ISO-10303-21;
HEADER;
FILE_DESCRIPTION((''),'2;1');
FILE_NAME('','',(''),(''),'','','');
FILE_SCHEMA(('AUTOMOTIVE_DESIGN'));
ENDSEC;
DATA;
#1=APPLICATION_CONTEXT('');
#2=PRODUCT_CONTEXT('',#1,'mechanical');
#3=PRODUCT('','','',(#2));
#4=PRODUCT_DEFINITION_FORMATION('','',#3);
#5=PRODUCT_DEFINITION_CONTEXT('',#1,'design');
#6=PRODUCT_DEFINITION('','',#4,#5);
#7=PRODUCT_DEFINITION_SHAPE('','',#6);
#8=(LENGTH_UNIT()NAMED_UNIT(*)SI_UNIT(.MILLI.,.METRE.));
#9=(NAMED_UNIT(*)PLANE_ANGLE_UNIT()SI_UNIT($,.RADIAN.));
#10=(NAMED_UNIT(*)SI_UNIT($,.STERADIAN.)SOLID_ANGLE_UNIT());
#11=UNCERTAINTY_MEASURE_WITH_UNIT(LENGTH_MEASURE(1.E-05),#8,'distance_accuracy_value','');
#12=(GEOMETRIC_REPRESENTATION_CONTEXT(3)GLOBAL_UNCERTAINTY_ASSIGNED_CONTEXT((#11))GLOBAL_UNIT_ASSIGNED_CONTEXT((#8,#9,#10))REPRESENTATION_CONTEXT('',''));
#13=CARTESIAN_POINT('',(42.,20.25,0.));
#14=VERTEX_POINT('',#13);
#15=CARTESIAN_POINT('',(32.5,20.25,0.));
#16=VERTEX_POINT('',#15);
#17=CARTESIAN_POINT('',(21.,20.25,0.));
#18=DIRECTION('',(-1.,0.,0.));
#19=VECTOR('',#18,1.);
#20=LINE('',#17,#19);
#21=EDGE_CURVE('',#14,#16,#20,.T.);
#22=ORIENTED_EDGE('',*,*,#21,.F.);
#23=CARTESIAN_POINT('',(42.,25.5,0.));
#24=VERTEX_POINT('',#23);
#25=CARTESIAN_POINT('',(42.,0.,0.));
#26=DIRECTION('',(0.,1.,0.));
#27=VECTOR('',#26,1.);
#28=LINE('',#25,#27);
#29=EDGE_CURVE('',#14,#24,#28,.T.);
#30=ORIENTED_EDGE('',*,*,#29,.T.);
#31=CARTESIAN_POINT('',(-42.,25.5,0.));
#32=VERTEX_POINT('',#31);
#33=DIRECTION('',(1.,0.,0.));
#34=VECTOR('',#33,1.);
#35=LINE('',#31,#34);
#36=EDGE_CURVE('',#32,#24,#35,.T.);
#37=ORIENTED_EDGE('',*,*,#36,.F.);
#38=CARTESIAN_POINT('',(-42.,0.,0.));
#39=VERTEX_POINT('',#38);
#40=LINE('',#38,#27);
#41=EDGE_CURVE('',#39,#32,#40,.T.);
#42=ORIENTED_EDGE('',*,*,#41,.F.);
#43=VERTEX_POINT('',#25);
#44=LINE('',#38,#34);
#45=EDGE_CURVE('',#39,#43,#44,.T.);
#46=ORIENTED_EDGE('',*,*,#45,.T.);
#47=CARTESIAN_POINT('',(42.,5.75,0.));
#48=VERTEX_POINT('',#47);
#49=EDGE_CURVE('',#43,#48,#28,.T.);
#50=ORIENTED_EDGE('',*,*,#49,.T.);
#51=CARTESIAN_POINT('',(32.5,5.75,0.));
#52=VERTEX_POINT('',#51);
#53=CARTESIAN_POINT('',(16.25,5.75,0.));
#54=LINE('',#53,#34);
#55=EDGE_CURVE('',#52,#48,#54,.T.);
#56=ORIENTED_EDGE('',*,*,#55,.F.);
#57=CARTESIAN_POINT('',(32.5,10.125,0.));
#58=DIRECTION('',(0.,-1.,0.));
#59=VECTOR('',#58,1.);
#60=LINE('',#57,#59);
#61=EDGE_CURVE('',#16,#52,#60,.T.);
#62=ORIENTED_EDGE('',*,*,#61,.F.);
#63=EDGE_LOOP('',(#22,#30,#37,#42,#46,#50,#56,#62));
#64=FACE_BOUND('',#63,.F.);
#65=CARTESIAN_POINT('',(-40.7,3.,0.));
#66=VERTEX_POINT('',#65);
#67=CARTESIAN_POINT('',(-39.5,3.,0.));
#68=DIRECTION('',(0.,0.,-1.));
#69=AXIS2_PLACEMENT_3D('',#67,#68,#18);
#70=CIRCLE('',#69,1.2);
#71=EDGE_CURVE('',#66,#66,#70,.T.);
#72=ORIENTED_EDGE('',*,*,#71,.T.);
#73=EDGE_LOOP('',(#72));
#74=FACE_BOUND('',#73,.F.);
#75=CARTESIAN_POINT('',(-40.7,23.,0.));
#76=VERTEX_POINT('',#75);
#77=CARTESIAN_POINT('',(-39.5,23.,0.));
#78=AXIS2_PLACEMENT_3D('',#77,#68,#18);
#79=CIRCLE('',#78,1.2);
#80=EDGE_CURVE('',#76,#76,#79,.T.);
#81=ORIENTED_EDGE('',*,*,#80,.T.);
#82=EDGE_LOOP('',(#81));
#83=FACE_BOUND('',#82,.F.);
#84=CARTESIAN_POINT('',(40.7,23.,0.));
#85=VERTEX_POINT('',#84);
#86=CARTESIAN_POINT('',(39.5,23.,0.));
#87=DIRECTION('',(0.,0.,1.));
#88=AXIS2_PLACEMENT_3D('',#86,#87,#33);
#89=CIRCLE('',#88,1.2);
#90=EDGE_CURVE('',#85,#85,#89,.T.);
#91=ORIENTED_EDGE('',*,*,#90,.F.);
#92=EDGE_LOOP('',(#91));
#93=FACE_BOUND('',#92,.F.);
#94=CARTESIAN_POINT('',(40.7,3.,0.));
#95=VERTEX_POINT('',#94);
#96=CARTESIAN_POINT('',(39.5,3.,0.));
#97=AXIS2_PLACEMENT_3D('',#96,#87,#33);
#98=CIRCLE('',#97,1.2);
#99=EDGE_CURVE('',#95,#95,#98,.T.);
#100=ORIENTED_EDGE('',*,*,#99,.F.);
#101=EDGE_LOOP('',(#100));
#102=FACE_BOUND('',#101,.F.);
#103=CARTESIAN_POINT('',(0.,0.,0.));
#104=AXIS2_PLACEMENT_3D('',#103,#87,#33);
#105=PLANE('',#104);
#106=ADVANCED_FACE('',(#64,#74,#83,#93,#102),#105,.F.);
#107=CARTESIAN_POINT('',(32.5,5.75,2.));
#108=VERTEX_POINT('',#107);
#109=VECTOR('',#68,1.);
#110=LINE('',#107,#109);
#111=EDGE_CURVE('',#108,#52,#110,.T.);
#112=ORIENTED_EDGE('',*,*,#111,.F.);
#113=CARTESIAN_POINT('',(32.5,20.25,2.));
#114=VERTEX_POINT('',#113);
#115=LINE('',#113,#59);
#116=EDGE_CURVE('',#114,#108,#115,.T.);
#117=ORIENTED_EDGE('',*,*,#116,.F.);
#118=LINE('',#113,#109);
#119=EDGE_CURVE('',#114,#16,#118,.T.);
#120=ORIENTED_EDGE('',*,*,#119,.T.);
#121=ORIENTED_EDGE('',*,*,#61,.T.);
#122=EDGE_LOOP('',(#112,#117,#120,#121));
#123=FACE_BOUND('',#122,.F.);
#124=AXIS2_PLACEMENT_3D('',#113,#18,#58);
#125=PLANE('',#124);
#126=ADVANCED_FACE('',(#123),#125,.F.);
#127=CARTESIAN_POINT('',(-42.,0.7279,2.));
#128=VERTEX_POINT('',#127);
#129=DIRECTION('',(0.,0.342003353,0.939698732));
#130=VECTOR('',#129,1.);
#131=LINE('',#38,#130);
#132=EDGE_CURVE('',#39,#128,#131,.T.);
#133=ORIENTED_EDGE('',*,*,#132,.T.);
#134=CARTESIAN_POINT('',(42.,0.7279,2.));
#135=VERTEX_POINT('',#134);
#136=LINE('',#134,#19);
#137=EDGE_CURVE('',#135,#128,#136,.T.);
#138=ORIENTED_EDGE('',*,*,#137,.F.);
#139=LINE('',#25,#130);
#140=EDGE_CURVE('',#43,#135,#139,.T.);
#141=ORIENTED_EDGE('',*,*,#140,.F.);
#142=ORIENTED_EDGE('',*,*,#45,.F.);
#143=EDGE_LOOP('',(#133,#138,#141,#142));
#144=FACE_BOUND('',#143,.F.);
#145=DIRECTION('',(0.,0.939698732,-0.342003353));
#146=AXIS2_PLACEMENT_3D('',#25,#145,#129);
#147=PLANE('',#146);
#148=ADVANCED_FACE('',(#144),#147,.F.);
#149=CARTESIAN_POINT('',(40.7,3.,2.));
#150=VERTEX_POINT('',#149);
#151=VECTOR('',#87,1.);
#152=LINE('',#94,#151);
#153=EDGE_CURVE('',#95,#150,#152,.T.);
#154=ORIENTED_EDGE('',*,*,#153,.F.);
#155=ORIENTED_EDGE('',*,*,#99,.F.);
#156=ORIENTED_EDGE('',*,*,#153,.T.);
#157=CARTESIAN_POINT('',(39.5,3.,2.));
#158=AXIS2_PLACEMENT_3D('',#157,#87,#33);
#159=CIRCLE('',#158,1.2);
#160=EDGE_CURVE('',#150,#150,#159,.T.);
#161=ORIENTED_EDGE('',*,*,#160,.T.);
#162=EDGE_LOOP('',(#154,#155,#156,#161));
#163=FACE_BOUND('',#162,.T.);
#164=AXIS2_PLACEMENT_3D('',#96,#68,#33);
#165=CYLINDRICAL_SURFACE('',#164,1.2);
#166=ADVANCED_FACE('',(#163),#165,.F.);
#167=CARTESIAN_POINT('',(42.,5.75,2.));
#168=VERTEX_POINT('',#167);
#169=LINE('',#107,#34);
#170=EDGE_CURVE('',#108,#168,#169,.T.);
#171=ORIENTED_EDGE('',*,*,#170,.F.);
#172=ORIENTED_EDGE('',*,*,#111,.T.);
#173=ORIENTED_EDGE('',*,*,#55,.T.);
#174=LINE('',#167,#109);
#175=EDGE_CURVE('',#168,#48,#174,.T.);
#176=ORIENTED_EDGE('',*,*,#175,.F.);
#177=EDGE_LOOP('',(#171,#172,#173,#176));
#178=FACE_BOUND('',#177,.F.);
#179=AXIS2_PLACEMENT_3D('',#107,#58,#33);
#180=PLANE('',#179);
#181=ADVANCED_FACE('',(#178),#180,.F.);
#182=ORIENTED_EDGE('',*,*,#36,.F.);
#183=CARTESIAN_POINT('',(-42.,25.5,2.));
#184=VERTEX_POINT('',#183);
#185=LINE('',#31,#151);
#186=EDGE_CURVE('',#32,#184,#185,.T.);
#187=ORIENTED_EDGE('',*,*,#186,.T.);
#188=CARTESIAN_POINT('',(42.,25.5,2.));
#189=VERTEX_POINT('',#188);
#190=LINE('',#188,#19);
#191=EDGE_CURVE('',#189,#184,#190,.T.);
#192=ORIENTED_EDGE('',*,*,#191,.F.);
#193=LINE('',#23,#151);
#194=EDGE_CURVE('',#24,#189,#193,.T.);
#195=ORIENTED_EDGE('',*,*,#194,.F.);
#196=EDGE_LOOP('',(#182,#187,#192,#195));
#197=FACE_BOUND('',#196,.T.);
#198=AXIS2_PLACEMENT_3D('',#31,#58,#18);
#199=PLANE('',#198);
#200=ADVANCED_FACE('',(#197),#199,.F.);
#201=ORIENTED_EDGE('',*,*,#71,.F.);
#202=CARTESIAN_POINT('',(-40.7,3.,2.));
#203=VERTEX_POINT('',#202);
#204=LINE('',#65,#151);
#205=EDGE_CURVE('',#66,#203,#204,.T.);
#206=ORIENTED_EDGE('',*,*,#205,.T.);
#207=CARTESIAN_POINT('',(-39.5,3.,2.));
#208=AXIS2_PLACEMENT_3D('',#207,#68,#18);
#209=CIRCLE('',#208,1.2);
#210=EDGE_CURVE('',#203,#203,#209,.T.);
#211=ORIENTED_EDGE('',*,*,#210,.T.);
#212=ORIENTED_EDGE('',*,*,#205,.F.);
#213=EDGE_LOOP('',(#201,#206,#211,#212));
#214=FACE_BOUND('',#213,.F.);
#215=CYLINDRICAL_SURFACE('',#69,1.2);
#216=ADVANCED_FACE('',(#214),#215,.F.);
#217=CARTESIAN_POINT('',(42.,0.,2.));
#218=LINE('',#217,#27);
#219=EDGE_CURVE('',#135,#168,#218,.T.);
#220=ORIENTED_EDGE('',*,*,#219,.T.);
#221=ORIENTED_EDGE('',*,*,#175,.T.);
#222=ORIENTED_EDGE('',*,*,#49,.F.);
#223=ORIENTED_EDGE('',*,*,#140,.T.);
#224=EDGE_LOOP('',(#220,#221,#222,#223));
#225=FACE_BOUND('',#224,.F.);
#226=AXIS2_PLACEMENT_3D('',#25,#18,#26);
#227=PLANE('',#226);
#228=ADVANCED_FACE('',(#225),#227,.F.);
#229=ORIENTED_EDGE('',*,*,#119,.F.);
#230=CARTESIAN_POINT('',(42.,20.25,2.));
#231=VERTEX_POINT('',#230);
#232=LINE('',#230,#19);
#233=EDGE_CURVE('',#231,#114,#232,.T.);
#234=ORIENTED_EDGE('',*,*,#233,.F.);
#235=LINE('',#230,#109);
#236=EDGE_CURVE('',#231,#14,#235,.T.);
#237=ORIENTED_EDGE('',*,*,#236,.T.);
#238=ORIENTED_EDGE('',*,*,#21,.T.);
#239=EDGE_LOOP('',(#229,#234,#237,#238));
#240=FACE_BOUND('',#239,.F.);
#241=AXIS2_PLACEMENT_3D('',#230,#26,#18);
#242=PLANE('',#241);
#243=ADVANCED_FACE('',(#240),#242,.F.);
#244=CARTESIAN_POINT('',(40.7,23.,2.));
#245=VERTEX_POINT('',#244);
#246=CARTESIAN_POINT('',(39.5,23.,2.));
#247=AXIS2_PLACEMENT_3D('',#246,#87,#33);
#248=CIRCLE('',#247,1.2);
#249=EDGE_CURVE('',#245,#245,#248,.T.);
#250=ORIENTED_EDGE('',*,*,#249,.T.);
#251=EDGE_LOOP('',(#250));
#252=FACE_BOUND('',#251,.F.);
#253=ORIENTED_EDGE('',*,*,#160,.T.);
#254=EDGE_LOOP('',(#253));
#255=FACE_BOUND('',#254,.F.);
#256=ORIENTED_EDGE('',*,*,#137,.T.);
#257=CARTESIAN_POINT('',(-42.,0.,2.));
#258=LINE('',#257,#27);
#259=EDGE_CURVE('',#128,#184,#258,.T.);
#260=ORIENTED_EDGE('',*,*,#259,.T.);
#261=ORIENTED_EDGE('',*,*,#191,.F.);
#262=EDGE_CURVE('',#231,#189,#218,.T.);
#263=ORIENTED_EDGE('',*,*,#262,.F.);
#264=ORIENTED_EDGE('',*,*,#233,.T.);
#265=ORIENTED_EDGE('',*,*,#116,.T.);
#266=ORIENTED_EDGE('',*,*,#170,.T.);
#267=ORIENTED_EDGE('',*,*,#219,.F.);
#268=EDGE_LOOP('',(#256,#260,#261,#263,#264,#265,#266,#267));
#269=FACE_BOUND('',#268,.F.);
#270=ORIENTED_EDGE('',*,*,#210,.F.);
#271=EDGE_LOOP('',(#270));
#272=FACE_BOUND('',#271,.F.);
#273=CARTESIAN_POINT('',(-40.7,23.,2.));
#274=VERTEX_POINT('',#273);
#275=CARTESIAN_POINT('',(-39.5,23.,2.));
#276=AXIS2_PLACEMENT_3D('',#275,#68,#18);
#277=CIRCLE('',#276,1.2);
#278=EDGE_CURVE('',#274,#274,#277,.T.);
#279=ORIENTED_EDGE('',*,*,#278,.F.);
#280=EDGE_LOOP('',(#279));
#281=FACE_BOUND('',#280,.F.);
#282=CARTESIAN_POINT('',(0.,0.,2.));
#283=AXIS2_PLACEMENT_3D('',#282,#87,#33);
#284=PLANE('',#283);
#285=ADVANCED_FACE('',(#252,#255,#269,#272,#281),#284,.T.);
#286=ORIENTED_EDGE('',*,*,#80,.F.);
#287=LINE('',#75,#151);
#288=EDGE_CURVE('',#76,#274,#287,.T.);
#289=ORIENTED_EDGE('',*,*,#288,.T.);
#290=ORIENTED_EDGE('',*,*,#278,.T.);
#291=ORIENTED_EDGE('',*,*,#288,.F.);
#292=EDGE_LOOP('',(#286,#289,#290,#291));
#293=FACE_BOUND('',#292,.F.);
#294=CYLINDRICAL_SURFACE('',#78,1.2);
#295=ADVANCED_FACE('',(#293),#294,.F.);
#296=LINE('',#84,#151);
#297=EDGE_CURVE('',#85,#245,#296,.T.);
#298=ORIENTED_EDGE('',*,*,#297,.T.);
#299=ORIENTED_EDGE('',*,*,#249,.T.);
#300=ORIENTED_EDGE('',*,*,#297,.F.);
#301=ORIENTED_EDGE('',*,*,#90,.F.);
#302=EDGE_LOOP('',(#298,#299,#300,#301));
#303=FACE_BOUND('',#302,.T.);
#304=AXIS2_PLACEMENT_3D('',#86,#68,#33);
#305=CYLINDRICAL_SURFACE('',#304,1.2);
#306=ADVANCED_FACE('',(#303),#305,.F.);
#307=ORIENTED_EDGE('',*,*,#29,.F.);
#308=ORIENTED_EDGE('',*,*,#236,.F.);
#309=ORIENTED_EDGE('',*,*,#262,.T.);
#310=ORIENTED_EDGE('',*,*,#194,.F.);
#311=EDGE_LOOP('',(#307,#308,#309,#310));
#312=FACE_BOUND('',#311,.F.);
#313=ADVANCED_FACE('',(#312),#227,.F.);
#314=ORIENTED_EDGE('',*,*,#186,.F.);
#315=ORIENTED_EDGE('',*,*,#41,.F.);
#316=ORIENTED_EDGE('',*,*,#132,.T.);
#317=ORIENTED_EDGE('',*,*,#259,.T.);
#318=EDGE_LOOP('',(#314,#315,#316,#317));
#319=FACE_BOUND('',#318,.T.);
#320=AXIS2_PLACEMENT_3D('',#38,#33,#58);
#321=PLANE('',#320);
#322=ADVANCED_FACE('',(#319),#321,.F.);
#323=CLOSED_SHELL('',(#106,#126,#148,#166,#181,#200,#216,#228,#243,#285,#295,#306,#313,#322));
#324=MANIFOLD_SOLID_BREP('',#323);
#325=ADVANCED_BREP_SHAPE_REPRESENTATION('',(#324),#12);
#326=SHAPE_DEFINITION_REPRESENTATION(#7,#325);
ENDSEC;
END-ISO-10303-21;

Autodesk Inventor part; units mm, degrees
ref_plane "YZ Plane" through (0, 0, 0) normal (1, 0, 0) x (0, 1, 0)
ref_plane "XZ Plane" through (0, 0, 0) normal (0, 1, 0) x (-1, 0, 0)
ref_plane "XY Plane" through (0, 0, 0) normal (0, 0, 1) x (1, 0, 0)
sketch "Szkic1" plane through (0, 0, 0) normal (0, 0, 1) x (1, 0, 0)
  line L0 (-58.8, 0) -> (58.8, 0) projected
  line L1 (0, -5.1) -> (0, 30.6) projected
  line L2 (0, 0) -> (42, 0)
  line L3 (42, 0) -> (42, 25.5)
  line L4 (42, 25.5) -> (0, 25.5)
  line L5 (0, 25.5) -> (0, 0)
  circle A0 centre (39.5, 23) radius 1.2
  circle A1 centre (39.5, 3) radius 1.2
  point P0 (0, 25.5)
  point P1 (42, 0)
  dimension "d0" = 25.5
  dimension "d1" = 42
  dimension "d7" = 2.4
  dimension "d8" = 2.4
  dimension "d9" = 2.5
  dimension "d10" = 2.5
  dimension "d11" = 20
  dimension "d12" = 2.5
extrude "Wyciągnięcie proste1" add sketch "Szkic1" along normal blind 2
sketch "Szkic2" plane through (42, 0, 0) normal (1, 0, 0) x (0, 0, -1)
  line L0 (0, 0) -> (0, 25.5) projected
  line L1 (0, 25.5) -> (-2, 25.5) projected
  line L2 (-2, 0) -> (-2, 25.5) projected
  line L3 (0, 0) -> (-2, 0) projected
  line L4 (0, 25.5) -> (0, 0) projected
  line L5 (0, 0) -> (-2, 0.7279)
  line L6 (-2, 25.5) -> (-2, 0) projected
  point P0 (0, 0)
  dimension "d4" = 70
extrude "Wyciągnięcie proste2" cut sketch "Szkic2" against normal blind 90 contours L3 L2 L5
mirror "Odbij1" about plane through (0, 0, 0) normal (1, 0, 0) of "Wyciągnięcie proste1", "Wyciągnięcie proste2"
sketch "Sketch3" plane through (0, 0, 2) normal (0, 0, 1) x (1, 0, 0)
  line L0 (-42, 0.7279) -> (42, 0.7279) projected
  line L1 (42, 0.7279) -> (42, 25.5) projected
  line L2 (42, 25.5) -> (-42, 25.5) projected
  line L3 (-42, 0.7279) -> (-42, 25.5) projected
  circle A0 centre (-39.5, 23) radius 1.2 projected
  circle A1 centre (-39.5, 3) radius 1.2 projected
  circle A2 centre (39.5, 23) radius 1.2 projected
  circle A3 centre (39.5, 3) radius 1.2 projected
  line L4 (42, 0) -> (42, 25.5) projected
  line L5 (42, 20.25) -> (32.5, 20.25)
  line L6 (32.5, 20.25) -> (32.5, 5.75)
  line L7 (32.5, 5.75) -> (42, 5.75)
  line L8 (42, 5.75) -> (42, 20.25)
  point P0 (0, 0)
  point P1 (32.5, 13)
  dimension "d13" = 9.5
  dimension "d14" = 14.5
  dimension "d15" = 10
extrude "Extrusion3" cut sketch "Sketch3" against normal blind 10 contours L7 L6 L5 L1
properties part number "góra_robota" material "Tworzywo sztuczne PET"
